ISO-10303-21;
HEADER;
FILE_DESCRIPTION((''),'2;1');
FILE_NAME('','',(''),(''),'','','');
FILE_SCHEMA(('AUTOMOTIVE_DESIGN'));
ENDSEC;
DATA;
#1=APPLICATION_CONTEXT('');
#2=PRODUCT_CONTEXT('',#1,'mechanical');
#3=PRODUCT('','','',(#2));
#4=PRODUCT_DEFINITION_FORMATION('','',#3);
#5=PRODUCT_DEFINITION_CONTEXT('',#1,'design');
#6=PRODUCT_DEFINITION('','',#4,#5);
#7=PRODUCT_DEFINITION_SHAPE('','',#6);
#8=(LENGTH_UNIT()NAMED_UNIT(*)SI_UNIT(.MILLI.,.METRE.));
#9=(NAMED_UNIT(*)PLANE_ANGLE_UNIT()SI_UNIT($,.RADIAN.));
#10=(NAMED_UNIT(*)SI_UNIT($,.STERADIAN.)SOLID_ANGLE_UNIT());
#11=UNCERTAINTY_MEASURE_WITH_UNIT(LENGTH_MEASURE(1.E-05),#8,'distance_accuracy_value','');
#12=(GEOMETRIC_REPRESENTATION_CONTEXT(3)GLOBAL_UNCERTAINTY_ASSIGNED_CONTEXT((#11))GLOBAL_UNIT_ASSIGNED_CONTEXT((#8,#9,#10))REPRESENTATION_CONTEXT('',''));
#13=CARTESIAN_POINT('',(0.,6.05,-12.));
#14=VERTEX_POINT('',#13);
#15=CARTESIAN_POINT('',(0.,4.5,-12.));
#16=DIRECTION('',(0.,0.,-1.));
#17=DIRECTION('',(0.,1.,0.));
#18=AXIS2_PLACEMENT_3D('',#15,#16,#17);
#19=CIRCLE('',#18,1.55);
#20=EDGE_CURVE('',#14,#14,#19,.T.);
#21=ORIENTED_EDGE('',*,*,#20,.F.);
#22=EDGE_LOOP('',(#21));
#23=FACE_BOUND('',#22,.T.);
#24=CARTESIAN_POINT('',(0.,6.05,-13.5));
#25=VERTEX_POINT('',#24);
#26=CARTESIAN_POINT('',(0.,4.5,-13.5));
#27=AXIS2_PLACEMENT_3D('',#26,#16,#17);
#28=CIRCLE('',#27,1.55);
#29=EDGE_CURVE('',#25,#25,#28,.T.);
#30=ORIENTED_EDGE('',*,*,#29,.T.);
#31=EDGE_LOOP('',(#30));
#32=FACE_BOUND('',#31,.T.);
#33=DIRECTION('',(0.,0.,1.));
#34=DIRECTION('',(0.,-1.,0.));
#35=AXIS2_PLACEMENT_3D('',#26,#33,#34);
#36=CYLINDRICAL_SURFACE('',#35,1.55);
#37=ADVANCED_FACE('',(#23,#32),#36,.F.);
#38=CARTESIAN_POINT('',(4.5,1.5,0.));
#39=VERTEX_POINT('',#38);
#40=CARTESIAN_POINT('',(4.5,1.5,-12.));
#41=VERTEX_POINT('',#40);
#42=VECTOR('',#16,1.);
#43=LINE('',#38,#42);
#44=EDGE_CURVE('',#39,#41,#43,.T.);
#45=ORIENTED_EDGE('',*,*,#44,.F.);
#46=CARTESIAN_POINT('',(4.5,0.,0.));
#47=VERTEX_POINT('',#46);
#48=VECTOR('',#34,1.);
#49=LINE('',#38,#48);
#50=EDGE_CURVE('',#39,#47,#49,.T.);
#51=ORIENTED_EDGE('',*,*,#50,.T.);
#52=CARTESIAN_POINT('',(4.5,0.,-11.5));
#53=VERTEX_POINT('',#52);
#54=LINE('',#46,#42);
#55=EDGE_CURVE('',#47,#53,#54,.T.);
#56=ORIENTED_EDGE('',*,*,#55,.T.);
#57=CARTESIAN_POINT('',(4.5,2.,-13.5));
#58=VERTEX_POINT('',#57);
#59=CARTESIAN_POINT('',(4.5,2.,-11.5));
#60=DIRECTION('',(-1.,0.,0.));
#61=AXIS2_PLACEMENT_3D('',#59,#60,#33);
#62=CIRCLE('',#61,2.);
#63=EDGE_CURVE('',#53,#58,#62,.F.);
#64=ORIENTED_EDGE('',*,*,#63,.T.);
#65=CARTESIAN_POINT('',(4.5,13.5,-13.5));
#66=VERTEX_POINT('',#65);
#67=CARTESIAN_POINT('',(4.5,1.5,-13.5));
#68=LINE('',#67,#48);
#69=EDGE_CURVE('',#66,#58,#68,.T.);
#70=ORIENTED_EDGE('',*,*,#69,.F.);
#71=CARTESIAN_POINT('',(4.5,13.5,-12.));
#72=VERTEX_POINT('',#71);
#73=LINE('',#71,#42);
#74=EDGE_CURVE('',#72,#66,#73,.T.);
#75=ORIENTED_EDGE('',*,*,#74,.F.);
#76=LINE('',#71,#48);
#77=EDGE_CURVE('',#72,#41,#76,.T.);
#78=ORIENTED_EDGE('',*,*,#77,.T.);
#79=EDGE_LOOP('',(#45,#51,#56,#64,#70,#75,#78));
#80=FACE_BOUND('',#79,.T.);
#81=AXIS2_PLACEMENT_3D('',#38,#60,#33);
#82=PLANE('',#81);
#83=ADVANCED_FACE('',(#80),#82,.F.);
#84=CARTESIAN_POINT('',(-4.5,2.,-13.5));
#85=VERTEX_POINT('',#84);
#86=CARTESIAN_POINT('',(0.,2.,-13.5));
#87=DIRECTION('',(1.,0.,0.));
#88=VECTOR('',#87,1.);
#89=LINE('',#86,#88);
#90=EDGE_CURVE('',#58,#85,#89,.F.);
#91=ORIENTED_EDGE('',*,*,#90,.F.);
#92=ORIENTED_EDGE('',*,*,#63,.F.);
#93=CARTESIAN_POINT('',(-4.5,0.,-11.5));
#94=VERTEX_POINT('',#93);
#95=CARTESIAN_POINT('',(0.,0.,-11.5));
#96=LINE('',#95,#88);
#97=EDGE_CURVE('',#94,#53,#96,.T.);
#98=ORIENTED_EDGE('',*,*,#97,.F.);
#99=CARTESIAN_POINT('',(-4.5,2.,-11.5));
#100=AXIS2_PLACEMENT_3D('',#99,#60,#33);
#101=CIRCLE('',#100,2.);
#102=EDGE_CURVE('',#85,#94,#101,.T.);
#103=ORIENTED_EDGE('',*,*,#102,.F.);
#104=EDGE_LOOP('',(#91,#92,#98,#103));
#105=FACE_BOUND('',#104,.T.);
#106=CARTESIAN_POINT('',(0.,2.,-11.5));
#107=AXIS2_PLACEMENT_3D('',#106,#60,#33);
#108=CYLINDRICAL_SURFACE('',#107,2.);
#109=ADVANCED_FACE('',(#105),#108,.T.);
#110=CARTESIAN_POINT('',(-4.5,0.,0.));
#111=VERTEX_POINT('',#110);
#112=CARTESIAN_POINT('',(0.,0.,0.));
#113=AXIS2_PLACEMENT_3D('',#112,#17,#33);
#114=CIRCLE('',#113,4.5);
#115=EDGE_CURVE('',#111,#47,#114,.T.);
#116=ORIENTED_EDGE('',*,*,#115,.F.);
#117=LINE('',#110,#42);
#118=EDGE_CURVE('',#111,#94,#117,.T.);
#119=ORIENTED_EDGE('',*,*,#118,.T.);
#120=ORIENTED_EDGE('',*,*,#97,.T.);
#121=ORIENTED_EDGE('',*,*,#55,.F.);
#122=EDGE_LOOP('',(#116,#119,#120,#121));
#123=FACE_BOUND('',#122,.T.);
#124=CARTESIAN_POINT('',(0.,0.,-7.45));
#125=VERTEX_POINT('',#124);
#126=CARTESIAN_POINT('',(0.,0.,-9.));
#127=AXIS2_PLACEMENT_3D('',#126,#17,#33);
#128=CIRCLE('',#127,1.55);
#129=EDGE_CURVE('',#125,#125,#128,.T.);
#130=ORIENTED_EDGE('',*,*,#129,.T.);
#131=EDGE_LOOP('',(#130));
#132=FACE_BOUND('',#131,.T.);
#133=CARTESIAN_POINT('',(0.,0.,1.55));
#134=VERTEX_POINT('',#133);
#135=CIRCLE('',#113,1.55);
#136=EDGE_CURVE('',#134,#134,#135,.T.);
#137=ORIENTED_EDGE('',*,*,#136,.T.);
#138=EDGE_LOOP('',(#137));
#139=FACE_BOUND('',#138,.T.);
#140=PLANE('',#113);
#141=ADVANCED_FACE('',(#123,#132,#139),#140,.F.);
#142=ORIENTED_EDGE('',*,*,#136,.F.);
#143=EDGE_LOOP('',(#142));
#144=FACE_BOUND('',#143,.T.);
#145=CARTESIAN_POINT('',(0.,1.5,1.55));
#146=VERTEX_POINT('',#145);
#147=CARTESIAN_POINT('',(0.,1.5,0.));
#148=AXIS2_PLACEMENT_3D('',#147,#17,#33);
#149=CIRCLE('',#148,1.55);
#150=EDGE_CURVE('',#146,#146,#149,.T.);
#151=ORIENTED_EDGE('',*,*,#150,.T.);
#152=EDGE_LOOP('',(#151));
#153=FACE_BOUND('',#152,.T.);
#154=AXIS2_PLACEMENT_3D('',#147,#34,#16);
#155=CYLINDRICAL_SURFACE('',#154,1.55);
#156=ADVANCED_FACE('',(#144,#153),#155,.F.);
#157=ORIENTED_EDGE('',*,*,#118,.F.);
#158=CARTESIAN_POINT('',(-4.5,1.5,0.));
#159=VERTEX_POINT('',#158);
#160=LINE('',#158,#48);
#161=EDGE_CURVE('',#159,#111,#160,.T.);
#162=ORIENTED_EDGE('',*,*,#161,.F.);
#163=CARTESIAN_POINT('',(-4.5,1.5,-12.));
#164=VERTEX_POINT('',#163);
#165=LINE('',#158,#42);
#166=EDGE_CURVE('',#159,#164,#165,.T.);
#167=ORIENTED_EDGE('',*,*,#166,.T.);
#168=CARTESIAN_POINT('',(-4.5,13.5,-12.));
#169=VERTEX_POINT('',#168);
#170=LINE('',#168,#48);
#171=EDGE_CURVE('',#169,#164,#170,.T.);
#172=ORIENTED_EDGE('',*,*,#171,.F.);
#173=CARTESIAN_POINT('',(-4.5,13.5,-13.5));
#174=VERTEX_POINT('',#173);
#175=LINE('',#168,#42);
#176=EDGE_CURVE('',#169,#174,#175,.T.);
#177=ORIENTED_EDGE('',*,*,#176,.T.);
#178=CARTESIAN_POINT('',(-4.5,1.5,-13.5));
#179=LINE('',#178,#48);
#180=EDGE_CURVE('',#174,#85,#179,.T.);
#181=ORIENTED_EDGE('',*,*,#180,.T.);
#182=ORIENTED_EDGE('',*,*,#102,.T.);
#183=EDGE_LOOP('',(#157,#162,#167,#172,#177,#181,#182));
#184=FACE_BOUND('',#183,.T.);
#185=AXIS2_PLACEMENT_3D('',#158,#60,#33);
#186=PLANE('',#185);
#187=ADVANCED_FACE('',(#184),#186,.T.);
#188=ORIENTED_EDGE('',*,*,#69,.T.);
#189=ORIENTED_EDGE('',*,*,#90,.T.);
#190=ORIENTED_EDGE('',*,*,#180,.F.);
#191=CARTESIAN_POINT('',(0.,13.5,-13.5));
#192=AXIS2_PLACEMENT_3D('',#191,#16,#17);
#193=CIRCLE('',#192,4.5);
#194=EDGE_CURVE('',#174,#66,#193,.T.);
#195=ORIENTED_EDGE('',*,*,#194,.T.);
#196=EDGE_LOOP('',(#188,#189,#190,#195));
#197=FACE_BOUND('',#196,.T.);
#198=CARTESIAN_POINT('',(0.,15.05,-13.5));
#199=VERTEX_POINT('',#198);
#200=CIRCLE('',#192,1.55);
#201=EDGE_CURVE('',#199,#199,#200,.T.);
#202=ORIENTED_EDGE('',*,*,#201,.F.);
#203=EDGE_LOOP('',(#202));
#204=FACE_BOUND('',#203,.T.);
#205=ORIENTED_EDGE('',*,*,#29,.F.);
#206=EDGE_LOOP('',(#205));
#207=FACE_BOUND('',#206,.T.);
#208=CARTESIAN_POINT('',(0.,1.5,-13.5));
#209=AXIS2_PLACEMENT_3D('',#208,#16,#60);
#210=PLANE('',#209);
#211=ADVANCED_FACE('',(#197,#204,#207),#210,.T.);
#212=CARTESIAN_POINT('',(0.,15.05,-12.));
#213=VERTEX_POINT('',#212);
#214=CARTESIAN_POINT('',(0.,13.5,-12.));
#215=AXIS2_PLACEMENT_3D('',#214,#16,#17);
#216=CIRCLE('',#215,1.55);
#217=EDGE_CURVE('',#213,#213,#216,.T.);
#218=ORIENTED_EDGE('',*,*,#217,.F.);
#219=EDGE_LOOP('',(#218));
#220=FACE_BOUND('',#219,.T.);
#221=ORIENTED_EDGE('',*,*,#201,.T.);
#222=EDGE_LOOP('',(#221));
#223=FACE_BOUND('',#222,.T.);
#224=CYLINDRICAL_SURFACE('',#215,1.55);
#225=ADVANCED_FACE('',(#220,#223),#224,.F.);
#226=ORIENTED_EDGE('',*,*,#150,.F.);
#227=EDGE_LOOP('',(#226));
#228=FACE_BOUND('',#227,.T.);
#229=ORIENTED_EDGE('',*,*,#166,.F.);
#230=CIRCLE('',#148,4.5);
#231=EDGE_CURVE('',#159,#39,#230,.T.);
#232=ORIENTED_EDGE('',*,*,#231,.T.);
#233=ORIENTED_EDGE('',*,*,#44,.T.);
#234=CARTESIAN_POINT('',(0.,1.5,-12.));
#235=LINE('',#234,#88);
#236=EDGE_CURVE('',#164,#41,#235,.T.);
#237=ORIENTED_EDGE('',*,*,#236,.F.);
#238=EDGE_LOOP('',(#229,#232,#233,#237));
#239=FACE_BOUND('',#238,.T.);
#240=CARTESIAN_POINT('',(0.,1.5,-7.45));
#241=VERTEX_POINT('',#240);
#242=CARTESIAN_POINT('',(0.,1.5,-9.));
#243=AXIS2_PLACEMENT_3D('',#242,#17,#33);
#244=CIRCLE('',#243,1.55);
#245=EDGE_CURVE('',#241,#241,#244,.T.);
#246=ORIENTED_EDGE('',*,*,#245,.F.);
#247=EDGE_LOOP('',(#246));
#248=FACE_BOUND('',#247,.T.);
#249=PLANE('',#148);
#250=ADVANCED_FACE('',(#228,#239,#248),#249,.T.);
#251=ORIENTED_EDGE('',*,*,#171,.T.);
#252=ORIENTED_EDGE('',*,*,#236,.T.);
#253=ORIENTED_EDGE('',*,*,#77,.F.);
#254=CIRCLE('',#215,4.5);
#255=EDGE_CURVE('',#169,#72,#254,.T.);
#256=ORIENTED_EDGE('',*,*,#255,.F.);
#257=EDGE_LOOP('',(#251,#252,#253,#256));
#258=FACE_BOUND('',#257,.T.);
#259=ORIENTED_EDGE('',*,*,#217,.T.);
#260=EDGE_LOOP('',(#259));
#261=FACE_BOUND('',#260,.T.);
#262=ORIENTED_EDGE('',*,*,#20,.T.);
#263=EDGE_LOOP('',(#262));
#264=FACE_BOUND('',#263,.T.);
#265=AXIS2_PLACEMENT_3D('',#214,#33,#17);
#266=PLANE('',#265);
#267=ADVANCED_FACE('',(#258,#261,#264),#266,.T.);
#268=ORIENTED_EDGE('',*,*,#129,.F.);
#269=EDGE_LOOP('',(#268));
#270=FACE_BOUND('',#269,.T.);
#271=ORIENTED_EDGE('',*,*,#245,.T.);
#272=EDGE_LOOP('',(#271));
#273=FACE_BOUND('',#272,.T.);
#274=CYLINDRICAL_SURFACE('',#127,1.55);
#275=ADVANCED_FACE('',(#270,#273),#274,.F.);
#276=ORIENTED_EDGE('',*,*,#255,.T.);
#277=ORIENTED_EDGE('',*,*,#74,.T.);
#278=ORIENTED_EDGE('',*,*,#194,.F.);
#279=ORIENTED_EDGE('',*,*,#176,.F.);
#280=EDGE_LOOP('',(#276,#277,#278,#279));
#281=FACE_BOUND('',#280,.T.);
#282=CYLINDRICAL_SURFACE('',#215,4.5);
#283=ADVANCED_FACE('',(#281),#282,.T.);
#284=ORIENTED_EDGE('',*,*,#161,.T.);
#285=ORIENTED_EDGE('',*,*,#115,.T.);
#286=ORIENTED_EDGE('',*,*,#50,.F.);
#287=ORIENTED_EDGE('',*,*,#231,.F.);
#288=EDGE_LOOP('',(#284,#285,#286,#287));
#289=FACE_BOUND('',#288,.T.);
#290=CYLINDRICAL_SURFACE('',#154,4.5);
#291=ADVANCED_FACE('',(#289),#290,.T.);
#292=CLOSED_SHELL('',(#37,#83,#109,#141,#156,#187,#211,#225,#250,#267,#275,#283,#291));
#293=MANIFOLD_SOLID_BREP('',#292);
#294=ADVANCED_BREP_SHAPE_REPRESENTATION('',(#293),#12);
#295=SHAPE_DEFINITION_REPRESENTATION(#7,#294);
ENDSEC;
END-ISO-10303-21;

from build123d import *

# Parameters (mm, degrees)
CROQUIS1_R              = 4.5
CROQUIS1_R_2            = 1.55
SALIENTE_EXTRUIR1_DEPTH = 1.5
CROQUIS6_R              = 1.55
CORTAR_EXTRUIR1_DEPTH   = 1.5
REDONDEO1_R             = 2


with BuildPart() as part:
    # Croquis1 → Saliente-Extruir1 (new body)
    # profile 1 of 2: a face of its own
    with BuildSketch(Plane(origin=(0, 0, 0), x_dir=(1, 0, 0), z_dir=(0, 1, 0))):
        with BuildLine():
            Line((-4.5, 13.5), (-4.5, 0))
            ThreePointArc((-4.5, 0), (0, 4.5), (4.5, 0))
            Line((4.5, 0), (4.5, 13.5))
            Line((4.5, 13.5), (-4.5, 13.5))
        make_face()
    # profile 2 of 2: a face of its own
    with BuildSketch(Plane(origin=(0, 0, 0), x_dir=(1, 0, 0), z_dir=(0, 1, 0))):
        Circle(CROQUIS1_R)
        with Locations(Location((0, 0, 0), (0, 0, 270))):
            Circle(CROQUIS1_R_2, mode=Mode.SUBTRACT)
    saliente_extruir1 = extrude(amount=SALIENTE_EXTRUIR1_DEPTH)

    # Croquis6 → Cortar-Extruir1 (cut)
    with BuildSketch(Plane(origin=(0, 1.5, 0), x_dir=(1, 0, 0), z_dir=(0, 1, 0))):
        with Locations(Location((0, 9, 0), (0, 0, 270))):
            Circle(CROQUIS6_R)
    cortar_extruir1 = extrude(amount=-CORTAR_EXTRUIR1_DEPTH, mode=Mode.SUBTRACT)

    # Simetría1: Saliente-Extruir1, Cortar-Extruir1 across plane
    add(saliente_extruir1.mirror(Plane(origin=(0, 6.75, -6.75), x_dir=(0, 0.7071067811865479, 0.7071067811865472), z_dir=(0, 0.7071067811865474, -0.7071067811865478))))
    add(cortar_extruir1.mirror(Plane(origin=(0, 6.75, -6.75), x_dir=(0, 0.7071067811865479, 0.7071067811865472), z_dir=(0, 0.7071067811865474, -0.7071067811865478))), mode=Mode.SUBTRACT)

    # Redondeo1
    redondeo1_edges = [part.edges().sort_by_distance(p)[0] for p in [
        (0, 0, -13.5),
    ]]
    fillet(redondeo1_edges, radius=REDONDEO1_R)


solid = part.part
